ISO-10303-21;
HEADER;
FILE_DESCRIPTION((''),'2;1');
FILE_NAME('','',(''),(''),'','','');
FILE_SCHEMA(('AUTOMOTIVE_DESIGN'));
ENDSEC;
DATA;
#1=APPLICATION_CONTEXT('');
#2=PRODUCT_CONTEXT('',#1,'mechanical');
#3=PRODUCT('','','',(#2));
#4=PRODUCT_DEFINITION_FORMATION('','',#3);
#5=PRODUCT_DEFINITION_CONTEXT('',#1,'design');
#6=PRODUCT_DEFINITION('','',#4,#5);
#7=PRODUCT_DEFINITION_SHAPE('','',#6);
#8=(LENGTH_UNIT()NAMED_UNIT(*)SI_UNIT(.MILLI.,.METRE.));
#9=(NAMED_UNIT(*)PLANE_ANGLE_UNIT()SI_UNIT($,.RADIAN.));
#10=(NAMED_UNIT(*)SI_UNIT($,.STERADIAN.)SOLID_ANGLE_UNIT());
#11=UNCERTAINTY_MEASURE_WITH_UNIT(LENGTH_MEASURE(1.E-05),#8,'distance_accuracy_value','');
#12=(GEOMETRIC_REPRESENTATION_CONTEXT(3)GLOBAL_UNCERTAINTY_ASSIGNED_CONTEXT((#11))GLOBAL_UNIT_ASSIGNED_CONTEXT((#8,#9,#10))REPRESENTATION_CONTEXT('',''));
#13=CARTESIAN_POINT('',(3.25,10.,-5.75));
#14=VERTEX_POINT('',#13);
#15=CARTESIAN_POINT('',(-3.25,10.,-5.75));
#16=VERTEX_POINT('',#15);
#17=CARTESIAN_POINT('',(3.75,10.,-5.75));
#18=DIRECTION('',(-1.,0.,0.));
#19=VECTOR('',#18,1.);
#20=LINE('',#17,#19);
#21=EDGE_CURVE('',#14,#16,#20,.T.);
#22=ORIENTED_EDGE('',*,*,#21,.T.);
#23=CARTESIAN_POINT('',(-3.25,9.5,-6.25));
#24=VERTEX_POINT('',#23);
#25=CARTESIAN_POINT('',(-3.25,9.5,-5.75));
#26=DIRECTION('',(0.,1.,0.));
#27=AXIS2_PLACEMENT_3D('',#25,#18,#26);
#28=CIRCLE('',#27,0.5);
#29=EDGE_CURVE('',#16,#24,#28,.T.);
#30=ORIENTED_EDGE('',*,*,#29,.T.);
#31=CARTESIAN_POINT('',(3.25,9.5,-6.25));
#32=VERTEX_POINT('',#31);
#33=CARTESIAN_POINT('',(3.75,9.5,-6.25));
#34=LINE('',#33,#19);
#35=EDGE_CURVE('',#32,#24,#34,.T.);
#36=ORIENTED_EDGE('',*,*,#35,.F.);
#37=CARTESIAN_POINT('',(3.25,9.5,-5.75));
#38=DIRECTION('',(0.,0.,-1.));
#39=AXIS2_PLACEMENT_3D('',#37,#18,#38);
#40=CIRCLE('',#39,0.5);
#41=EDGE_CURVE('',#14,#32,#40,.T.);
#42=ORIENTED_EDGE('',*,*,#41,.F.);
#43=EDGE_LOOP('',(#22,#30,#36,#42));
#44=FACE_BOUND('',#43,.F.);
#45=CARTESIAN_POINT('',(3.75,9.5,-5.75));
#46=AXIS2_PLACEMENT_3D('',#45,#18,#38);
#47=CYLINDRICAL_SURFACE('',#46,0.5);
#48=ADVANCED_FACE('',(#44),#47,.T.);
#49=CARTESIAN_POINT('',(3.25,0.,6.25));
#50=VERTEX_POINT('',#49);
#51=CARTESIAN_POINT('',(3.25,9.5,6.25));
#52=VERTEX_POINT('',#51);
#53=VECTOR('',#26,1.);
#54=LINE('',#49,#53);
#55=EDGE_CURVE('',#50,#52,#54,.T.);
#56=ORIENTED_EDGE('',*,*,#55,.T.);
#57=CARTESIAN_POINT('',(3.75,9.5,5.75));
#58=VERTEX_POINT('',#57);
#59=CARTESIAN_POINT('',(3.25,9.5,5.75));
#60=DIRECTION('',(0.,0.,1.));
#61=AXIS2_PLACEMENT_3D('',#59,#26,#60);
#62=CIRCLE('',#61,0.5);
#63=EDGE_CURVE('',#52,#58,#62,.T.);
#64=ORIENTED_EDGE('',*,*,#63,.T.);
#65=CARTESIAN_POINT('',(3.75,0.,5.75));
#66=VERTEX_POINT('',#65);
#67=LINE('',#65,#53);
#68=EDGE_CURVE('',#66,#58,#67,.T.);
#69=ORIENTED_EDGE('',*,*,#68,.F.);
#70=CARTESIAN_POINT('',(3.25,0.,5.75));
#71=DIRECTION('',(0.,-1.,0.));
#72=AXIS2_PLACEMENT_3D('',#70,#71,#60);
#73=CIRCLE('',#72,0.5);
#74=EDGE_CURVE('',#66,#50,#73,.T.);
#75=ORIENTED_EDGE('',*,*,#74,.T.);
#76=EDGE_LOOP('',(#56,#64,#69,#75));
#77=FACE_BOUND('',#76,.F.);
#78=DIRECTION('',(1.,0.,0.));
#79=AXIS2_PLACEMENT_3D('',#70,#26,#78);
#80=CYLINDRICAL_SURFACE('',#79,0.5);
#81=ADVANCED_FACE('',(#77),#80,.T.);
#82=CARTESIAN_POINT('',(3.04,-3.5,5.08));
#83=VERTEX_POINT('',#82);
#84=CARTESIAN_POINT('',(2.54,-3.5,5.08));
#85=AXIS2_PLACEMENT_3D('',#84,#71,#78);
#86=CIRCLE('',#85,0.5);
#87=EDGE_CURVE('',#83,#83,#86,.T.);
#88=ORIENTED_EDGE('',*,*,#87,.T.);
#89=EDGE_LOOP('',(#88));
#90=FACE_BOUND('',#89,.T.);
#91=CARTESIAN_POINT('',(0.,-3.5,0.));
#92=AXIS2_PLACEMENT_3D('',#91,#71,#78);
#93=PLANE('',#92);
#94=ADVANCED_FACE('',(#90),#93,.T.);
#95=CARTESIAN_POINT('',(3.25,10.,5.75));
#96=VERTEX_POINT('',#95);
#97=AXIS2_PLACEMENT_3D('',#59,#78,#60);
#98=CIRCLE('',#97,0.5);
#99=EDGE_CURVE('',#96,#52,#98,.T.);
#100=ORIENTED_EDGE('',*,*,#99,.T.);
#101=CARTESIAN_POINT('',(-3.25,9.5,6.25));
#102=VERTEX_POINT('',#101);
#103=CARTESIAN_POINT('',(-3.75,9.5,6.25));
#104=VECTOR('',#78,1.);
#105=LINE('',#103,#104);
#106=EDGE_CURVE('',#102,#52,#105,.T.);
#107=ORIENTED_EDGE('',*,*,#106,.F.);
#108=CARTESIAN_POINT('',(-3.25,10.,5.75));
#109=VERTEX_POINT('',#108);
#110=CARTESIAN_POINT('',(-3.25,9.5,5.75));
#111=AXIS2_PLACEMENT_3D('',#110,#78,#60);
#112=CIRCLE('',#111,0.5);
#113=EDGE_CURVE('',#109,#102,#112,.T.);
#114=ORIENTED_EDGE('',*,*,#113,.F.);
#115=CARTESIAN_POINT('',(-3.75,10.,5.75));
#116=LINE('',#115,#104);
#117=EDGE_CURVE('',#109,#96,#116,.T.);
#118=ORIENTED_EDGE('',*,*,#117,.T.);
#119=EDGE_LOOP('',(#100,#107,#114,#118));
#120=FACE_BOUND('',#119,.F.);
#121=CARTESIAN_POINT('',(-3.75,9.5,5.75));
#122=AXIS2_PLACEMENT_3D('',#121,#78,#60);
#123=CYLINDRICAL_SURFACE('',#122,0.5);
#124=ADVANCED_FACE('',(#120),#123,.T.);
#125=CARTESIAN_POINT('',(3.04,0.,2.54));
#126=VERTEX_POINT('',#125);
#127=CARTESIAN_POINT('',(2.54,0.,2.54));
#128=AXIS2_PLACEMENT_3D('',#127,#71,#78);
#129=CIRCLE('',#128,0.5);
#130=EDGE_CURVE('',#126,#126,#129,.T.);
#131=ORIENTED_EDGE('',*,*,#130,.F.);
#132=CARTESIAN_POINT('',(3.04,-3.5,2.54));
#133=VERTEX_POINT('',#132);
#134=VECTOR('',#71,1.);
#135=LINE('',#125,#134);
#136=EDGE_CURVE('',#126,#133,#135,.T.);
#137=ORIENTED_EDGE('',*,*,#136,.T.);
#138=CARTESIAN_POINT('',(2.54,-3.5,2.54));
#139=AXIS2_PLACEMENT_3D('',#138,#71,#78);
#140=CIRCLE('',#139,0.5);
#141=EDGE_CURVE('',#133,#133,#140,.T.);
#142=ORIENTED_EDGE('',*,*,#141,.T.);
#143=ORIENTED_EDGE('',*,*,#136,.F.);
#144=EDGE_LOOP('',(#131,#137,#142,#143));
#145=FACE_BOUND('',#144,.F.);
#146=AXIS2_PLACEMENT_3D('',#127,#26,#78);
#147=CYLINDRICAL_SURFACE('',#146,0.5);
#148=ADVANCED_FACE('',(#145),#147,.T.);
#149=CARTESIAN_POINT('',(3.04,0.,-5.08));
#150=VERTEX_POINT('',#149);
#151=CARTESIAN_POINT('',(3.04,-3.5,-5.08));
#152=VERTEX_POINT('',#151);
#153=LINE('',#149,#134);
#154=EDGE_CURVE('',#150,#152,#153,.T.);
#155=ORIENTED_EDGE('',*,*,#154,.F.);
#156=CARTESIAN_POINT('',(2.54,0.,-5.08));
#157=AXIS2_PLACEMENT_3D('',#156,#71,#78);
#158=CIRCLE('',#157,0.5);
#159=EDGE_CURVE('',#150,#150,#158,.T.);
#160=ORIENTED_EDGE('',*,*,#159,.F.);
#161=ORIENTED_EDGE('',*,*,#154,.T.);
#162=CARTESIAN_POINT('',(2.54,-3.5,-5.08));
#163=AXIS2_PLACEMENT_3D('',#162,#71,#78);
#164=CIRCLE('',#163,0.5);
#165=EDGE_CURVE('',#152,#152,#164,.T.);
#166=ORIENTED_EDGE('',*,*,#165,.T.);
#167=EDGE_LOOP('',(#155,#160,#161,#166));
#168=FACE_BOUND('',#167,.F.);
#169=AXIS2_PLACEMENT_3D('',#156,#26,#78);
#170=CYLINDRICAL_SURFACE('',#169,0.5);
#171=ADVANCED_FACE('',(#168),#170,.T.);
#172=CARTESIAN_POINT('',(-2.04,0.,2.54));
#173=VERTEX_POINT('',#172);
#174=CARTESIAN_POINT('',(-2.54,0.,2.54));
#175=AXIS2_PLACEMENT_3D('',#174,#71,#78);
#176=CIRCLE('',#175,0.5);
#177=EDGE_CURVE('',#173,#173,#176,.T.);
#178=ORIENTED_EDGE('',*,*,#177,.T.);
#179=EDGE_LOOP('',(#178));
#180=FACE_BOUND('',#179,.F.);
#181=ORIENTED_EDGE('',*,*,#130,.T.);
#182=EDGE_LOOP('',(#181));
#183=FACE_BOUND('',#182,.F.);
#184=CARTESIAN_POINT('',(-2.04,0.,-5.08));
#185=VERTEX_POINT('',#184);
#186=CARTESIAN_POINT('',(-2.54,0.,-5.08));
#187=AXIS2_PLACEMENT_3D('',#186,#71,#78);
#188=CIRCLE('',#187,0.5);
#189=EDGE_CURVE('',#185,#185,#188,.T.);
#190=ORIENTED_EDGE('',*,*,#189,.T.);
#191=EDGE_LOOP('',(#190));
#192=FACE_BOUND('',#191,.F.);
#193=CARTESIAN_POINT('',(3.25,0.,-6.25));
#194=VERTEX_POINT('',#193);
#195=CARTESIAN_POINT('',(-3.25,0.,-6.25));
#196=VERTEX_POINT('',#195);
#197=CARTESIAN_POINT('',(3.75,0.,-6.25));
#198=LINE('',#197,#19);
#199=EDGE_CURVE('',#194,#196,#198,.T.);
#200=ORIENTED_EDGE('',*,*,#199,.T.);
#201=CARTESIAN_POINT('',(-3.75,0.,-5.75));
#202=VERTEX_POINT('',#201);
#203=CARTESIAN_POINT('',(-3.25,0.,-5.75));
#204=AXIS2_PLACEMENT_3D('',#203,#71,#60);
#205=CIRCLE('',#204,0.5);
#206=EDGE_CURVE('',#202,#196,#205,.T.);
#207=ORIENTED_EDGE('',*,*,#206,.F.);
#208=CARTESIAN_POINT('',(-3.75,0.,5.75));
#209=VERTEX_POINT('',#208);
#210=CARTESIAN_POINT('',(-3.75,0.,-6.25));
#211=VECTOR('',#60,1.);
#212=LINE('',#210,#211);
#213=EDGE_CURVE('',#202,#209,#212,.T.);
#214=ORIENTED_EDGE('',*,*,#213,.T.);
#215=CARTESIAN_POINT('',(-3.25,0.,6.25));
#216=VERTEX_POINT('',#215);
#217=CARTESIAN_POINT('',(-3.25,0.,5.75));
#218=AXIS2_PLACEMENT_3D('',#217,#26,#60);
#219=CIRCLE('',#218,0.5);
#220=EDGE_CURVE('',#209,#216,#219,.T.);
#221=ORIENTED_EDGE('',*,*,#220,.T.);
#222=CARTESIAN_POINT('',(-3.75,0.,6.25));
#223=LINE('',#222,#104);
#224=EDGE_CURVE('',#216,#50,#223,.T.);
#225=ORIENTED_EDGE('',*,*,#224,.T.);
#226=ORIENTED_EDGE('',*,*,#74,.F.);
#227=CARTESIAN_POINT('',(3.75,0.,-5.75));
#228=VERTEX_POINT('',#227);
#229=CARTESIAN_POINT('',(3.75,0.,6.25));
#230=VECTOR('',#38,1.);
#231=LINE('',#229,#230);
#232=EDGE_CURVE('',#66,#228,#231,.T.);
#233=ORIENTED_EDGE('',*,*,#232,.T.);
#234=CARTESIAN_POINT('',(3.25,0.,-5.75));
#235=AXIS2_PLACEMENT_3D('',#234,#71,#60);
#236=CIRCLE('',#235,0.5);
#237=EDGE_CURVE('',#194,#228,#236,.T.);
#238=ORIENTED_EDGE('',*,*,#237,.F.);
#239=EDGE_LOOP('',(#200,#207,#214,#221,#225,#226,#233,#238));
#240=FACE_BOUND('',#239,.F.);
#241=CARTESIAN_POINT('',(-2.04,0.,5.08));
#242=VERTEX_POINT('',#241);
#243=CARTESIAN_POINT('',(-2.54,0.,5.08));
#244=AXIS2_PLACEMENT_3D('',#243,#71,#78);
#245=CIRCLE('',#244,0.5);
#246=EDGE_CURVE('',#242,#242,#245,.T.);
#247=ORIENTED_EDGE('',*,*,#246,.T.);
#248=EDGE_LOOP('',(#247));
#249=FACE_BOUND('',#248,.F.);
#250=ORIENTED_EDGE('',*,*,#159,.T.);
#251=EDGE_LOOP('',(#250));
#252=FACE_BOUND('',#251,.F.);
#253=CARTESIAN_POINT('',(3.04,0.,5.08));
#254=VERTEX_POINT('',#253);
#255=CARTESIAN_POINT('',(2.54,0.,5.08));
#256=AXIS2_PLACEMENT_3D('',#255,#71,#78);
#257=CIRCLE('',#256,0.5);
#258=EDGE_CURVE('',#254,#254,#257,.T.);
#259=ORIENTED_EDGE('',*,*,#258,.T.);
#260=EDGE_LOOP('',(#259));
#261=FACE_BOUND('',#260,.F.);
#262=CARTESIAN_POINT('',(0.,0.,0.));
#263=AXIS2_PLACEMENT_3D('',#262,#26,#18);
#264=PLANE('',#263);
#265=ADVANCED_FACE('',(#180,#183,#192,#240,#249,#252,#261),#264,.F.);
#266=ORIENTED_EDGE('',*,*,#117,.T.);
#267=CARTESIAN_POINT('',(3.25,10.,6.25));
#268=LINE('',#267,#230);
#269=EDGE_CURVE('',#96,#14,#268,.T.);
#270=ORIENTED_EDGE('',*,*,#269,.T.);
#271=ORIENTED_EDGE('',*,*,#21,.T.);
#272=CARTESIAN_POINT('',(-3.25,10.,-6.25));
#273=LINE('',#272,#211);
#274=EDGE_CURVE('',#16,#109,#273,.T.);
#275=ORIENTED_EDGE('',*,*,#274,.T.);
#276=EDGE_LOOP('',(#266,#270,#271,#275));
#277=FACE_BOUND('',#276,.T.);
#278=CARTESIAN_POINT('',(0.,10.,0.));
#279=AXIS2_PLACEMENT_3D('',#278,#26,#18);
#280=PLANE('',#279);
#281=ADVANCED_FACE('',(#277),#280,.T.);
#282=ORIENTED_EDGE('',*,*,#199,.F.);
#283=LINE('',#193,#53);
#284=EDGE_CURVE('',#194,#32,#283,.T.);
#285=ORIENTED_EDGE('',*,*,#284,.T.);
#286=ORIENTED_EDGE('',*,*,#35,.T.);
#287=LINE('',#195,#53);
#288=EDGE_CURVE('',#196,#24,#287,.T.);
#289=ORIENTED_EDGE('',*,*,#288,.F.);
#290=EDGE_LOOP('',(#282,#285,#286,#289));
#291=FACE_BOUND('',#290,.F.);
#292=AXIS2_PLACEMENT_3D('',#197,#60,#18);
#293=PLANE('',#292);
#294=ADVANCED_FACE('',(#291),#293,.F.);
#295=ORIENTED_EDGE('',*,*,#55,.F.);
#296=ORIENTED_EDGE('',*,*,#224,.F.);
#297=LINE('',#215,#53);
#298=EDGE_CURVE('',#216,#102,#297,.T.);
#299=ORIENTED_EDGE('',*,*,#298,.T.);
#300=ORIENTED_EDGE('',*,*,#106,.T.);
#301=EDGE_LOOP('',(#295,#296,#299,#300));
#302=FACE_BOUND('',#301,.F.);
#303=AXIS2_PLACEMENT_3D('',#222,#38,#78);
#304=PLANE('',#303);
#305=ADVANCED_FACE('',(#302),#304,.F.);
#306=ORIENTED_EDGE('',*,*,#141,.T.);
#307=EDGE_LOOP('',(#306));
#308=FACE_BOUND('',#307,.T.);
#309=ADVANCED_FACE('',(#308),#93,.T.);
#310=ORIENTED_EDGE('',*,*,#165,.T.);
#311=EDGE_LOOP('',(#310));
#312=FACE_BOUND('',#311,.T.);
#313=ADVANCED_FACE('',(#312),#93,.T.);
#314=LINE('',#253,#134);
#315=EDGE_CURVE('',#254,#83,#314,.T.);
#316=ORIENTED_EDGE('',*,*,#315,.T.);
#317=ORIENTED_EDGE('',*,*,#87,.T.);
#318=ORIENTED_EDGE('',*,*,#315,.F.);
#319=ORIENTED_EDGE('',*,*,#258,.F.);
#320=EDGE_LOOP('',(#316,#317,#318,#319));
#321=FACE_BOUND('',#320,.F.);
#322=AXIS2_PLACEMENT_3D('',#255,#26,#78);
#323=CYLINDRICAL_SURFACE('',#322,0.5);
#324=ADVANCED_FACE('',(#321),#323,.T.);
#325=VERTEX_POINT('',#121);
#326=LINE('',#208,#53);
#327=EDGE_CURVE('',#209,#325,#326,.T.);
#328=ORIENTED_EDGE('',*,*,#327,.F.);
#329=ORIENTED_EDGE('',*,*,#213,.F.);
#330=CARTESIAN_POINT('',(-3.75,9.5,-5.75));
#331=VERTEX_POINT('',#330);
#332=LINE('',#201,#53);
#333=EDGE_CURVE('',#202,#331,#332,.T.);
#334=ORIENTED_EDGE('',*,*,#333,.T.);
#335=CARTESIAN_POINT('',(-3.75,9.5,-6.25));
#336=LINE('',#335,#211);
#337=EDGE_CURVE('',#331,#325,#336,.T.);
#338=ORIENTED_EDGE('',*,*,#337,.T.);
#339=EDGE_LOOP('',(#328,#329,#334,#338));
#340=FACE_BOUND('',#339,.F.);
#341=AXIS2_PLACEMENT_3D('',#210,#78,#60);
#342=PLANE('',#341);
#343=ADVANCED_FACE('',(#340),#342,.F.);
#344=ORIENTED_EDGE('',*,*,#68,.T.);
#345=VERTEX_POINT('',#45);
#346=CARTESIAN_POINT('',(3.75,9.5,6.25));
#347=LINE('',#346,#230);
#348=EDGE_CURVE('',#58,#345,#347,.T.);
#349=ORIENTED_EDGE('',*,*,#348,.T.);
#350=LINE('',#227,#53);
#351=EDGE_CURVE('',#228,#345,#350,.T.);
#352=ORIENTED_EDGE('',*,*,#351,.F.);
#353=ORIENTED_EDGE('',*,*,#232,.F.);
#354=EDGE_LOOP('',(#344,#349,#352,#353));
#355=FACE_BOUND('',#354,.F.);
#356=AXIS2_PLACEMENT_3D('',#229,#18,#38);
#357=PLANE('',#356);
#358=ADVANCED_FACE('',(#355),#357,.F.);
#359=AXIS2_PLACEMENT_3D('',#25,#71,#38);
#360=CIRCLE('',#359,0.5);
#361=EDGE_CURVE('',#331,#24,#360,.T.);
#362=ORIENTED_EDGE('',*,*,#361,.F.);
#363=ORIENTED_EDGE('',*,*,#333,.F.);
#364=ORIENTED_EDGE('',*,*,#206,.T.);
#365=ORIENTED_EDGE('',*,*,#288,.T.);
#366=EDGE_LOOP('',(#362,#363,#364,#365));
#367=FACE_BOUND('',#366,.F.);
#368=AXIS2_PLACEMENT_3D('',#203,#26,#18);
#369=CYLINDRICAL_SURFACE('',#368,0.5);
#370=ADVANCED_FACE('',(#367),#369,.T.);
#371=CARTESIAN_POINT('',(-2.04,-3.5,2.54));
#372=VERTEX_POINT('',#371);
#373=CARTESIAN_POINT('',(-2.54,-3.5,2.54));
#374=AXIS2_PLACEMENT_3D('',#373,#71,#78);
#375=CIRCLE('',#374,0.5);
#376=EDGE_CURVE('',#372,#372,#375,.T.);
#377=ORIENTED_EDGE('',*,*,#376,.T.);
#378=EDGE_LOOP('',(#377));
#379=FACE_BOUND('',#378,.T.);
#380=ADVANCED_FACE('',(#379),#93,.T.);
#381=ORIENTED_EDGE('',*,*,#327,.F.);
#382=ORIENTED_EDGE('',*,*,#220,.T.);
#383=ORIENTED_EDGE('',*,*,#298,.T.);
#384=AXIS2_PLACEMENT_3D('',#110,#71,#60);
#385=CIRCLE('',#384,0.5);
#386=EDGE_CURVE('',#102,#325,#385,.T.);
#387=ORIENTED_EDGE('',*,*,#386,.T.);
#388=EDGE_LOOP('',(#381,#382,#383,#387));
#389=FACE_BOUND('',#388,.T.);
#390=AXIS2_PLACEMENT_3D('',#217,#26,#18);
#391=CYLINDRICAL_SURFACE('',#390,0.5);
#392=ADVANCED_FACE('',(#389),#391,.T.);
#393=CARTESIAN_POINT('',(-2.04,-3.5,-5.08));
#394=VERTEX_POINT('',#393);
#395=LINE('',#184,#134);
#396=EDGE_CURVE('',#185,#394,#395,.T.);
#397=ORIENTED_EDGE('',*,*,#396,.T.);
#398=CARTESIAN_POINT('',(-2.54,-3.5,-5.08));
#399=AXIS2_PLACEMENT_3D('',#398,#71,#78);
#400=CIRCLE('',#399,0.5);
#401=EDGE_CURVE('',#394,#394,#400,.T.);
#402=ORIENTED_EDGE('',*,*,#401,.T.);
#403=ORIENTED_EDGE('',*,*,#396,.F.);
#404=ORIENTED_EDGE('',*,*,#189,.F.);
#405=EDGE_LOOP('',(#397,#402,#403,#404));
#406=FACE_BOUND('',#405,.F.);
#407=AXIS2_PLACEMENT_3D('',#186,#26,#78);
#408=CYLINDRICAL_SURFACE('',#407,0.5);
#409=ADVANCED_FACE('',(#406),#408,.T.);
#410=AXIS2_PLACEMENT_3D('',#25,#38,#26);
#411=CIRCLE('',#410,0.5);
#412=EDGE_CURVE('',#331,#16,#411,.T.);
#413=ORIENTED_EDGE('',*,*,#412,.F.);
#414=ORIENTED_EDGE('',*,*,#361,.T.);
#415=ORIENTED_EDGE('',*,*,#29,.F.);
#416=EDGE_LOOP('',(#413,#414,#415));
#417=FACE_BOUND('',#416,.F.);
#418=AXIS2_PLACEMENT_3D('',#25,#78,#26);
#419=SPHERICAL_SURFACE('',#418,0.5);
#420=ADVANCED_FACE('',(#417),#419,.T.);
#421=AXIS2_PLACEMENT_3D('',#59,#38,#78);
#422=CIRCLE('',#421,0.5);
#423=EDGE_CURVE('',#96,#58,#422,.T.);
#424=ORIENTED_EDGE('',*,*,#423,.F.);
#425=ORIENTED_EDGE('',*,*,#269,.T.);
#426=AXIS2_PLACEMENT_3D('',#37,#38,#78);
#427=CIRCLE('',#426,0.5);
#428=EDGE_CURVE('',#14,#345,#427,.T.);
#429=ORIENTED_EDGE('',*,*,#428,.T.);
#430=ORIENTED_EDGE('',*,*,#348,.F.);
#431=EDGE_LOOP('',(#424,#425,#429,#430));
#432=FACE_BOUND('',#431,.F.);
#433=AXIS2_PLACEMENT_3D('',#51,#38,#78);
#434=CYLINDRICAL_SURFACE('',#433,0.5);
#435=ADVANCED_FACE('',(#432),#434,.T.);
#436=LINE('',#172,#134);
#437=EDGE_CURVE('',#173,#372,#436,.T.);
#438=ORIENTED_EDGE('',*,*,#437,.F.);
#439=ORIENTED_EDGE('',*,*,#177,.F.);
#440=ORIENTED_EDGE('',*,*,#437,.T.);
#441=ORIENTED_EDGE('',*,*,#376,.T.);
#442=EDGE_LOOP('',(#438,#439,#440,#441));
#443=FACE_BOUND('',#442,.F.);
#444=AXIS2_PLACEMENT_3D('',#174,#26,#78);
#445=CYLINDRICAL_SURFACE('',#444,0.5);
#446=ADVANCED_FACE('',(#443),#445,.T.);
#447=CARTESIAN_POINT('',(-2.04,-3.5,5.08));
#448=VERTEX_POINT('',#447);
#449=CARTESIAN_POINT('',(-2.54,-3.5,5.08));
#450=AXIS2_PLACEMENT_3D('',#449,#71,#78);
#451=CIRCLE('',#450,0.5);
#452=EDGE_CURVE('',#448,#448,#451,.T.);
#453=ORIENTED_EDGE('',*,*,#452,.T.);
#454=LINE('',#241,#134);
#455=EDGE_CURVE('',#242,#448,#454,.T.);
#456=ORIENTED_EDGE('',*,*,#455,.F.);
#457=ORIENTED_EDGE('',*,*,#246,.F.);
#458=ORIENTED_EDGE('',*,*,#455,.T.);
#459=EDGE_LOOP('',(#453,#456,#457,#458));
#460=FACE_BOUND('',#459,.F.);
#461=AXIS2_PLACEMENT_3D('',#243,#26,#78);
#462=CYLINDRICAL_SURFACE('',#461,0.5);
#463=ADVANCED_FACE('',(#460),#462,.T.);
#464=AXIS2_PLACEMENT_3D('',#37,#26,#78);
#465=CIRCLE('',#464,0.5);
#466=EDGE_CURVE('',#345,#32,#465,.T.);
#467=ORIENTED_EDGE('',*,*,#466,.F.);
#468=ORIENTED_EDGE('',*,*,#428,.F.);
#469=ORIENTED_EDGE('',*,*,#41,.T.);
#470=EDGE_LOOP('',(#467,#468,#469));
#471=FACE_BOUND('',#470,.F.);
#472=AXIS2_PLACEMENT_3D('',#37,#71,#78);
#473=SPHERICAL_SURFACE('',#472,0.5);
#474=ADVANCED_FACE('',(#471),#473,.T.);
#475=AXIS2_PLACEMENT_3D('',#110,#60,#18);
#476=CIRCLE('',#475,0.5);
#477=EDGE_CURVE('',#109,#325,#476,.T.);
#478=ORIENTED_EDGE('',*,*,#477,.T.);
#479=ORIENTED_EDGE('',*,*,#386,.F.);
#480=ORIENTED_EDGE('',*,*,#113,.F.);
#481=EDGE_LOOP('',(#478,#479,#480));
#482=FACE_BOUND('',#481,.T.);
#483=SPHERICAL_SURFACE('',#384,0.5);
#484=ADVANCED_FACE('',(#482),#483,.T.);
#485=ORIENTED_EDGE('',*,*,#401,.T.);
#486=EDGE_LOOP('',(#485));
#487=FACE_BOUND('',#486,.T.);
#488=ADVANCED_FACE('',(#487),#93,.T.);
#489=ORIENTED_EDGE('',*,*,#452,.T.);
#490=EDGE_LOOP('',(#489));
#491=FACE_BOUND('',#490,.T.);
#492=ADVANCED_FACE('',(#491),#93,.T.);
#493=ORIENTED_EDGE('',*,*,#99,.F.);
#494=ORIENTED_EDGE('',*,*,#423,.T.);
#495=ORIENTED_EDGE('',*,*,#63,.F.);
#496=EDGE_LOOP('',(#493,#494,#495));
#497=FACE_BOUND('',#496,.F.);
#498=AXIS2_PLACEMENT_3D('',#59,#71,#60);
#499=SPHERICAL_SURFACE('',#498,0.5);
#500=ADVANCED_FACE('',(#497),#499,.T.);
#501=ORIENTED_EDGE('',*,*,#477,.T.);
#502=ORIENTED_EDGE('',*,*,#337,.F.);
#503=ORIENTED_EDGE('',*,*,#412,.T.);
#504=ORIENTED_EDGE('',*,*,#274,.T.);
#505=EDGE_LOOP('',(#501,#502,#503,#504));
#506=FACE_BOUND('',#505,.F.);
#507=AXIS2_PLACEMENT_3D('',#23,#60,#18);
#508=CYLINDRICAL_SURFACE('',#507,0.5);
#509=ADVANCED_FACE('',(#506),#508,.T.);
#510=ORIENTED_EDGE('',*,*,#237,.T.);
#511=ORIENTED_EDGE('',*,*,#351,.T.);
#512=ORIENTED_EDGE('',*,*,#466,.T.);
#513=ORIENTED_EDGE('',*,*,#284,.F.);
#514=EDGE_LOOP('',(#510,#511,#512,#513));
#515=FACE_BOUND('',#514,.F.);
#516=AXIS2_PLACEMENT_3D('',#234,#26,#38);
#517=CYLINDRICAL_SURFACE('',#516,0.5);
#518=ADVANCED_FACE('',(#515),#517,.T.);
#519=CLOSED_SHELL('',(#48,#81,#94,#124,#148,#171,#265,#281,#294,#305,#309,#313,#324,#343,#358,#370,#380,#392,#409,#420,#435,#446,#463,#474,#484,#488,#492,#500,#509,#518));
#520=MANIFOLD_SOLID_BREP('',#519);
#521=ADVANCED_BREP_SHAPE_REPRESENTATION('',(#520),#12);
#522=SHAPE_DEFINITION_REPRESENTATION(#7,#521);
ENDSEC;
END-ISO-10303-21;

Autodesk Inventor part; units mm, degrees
ref_plane "YZ Plane" through (0, 0, 0) normal (1, 0, 0) x (0, 1, 0)
ref_plane "XZ Plane" through (0, 0, 0) normal (0, 1, 0) x (-1, 0, 0)
ref_plane "XY Plane" through (0, 0, 0) normal (0, 0, 1) x (1, 0, 0)
sketch "Sketch1" plane through (0, 0, 0) normal (0, 1, 0) x (-1, 0, 0)
  line L0 (3.75, 6.25) -> (-3.75, 6.25)
  line L1 (-3.75, 6.25) -> (-3.75, -6.25)
  line L2 (-3.75, -6.25) -> (3.75, -6.25)
  line L3 (3.75, -6.25) -> (3.75, 6.25)
  point P0 (0, 0)
  dimension "d0" = 7.5
  dimension "d1" = 3.75
  dimension "d2" = 12.5
  dimension "d3" = 6.25
extrude "Extrusion1" add sketch "Sketch1" along normal blind 10
fillet "Fillet1" radius 0.5 8 edges at (3.75, 5, -6.25) (3.75, 5, 6.25) (-3.75, 5, 6.25) (0, 10, 6.25) (3.75, 10, 0) (0, 10, -6.25) (-3.75, 10, 0) (-3.75, 5, -6.25)
sketch "Sketch2" plane through (0, 0, 0) normal (0, -1, 0) x (1, 0, 0)
  circle A0 centre (2.54, 5.08) radius 0.5
  line L0 (3.75, 5.75) -> (3.75, -5.75) projected
  line L1 (3.75, 1.9877) -> (3.75, 0.9043)
  line L2 (1.2566, 6.25) -> (0.5094, 6.25)
  line L3 (-3.25, 6.25) -> (3.25, 6.25) projected
  circle A1 centre (2.54, 2.54) radius 0.5
  circle A2 centre (2.54, 0) radius 0.5
  circle A3 centre (2.54, -2.54) radius 0.5
  circle A4 centre (2.54, -5.08) radius 0.5
  circle A5 centre (-2.54, 5.08) radius 0.5
  circle A6 centre (-2.54, 2.54) radius 0.5
  circle A7 centre (-2.54, 0) radius 0.5
  circle A8 centre (-2.54, -2.54) radius 0.5
  circle A9 centre (-2.54, -5.08) radius 0.5
  point P0 (0, 0)
  dimension "d7" = 1
  dimension "d8" = 2.54
  dimension "d9" = 5.08
  dimension "d12" = 2.54
  dimension "d15" = 5.08
extrude "Extrusion2" add sketch "Sketch2" along normal blind 3.5 contours A0 | A1 | A4 | A5 | A6 | A9
properties part number "G5V-1-DC5_Relay"
